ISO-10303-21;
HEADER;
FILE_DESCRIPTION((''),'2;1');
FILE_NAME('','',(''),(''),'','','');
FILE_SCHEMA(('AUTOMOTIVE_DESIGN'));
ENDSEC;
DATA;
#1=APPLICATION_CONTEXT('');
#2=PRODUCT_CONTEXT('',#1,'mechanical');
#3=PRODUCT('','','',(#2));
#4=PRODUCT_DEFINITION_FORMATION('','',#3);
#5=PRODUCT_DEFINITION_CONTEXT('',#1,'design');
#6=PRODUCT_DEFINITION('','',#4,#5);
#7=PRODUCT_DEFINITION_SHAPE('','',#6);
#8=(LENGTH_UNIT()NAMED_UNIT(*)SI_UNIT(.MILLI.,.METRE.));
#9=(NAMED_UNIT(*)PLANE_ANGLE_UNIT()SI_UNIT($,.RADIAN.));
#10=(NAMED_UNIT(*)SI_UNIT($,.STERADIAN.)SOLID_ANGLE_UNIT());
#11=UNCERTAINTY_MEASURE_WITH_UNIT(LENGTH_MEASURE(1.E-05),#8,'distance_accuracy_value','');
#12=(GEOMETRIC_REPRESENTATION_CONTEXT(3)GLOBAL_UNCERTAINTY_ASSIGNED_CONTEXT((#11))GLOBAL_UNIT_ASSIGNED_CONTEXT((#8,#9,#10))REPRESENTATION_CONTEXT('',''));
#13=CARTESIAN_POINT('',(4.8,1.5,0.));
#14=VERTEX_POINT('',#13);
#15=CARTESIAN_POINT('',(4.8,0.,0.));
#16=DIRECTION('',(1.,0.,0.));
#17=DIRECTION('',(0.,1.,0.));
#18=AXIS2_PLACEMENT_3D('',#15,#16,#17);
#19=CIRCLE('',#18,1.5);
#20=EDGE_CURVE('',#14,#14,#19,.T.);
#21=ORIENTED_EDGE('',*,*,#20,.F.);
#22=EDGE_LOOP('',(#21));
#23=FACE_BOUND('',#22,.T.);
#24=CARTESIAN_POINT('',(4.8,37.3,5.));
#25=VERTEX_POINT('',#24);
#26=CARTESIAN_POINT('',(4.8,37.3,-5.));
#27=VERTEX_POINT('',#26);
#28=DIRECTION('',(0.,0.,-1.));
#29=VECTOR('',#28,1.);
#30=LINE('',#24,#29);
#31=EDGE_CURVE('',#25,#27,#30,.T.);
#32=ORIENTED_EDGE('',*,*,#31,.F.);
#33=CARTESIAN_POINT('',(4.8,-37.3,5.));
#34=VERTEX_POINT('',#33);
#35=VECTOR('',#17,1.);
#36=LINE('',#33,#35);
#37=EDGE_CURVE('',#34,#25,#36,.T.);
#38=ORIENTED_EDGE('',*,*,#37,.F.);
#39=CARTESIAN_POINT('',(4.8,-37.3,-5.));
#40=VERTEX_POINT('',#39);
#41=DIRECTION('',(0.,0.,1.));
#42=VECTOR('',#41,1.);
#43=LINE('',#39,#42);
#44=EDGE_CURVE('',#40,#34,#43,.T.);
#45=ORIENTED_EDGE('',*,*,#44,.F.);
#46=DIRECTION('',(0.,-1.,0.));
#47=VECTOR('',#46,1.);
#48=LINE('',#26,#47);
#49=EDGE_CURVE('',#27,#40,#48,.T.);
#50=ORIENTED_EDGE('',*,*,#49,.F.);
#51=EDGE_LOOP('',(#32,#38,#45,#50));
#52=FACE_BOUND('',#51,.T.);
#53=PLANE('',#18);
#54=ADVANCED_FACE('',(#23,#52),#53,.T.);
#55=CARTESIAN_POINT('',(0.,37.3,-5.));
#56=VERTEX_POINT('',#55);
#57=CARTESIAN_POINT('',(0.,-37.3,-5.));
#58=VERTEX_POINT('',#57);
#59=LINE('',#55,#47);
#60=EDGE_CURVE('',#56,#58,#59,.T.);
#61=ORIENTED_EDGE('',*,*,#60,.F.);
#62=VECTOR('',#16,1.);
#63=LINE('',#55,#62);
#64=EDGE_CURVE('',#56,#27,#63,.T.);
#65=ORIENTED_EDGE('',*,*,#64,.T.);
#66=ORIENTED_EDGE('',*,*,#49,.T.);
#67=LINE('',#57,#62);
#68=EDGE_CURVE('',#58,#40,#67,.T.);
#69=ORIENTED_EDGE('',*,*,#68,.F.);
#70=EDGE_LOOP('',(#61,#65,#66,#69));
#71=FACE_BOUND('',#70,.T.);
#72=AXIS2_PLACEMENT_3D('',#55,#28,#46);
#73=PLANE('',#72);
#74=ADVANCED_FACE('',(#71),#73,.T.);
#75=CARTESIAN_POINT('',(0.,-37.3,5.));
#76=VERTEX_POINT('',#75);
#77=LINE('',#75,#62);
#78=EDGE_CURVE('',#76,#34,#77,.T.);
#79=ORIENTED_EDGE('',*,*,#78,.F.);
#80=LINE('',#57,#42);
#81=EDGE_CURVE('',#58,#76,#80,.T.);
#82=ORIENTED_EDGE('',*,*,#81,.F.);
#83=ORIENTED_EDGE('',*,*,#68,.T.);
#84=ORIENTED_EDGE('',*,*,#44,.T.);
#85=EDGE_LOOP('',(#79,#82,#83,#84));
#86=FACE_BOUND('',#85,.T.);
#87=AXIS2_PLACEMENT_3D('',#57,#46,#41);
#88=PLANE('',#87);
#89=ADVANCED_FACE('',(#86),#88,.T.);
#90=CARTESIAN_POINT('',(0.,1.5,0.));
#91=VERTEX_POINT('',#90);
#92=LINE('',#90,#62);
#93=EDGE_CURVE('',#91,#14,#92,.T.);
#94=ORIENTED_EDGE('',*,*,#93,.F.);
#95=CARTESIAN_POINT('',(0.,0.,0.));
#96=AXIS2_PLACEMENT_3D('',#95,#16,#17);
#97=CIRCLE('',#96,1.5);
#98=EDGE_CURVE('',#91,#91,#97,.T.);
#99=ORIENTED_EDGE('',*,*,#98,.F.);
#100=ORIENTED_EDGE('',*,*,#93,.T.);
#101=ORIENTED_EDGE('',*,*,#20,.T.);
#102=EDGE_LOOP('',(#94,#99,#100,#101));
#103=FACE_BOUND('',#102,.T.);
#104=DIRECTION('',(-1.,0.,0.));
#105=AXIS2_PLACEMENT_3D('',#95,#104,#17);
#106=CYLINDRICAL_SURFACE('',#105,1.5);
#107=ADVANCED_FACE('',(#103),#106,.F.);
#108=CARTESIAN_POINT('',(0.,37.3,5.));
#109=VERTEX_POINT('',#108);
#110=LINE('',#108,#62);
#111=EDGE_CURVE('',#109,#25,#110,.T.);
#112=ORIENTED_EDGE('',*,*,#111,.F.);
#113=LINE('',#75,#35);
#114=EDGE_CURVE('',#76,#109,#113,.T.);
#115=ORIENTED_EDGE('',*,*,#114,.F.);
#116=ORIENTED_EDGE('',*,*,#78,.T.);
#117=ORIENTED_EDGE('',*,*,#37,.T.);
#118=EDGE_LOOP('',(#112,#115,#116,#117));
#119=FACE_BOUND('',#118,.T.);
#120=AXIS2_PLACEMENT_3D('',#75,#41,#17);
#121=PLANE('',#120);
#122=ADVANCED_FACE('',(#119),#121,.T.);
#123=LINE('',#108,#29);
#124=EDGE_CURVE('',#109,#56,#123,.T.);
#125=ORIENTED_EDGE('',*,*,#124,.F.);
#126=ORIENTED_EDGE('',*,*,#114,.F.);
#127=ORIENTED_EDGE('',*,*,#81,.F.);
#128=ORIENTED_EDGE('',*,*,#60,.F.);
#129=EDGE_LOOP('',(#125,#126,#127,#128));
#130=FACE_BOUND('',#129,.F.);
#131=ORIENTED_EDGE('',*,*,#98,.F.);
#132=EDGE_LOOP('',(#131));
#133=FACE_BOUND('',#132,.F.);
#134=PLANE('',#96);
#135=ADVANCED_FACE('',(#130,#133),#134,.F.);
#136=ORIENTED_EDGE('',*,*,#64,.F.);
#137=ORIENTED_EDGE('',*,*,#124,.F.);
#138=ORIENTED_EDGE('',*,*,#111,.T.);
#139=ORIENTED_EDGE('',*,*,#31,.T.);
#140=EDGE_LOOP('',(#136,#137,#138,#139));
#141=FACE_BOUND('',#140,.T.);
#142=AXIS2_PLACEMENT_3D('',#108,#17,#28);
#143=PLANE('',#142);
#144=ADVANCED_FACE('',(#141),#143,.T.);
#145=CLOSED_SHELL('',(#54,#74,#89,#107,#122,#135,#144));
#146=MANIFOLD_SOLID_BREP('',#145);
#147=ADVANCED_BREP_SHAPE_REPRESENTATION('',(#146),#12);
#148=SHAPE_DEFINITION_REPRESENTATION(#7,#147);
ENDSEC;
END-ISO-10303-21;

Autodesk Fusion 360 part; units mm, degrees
sketch "Sketch1" plane through (0, 0, 0) normal (1, 0, 0) x (0, 1, 0)
  line L0 (-37.3, 5) -> (37.3, 5)
  line L1 (37.3, 5) -> (37.3, -5)
  line L2 (37.3, -5) -> (-37.3, -5)
  line L3 (-37.3, -5) -> (-37.3, 5)
  line L4 (0, 0) -> (0, 5) construction
  line L5 (0, 0) -> (-37.3, 0) construction
  circle A0 centre (0, 0) radius 1.5
  point P0 (0, 5)
  point P1 (-37.3, 0)
  dimension "d1" = 3
  dimension "d2" = 10
  dimension "d3" = 74.6
extrude "Extrude1" add sketch "Sketch1" along normal blind 4.8
